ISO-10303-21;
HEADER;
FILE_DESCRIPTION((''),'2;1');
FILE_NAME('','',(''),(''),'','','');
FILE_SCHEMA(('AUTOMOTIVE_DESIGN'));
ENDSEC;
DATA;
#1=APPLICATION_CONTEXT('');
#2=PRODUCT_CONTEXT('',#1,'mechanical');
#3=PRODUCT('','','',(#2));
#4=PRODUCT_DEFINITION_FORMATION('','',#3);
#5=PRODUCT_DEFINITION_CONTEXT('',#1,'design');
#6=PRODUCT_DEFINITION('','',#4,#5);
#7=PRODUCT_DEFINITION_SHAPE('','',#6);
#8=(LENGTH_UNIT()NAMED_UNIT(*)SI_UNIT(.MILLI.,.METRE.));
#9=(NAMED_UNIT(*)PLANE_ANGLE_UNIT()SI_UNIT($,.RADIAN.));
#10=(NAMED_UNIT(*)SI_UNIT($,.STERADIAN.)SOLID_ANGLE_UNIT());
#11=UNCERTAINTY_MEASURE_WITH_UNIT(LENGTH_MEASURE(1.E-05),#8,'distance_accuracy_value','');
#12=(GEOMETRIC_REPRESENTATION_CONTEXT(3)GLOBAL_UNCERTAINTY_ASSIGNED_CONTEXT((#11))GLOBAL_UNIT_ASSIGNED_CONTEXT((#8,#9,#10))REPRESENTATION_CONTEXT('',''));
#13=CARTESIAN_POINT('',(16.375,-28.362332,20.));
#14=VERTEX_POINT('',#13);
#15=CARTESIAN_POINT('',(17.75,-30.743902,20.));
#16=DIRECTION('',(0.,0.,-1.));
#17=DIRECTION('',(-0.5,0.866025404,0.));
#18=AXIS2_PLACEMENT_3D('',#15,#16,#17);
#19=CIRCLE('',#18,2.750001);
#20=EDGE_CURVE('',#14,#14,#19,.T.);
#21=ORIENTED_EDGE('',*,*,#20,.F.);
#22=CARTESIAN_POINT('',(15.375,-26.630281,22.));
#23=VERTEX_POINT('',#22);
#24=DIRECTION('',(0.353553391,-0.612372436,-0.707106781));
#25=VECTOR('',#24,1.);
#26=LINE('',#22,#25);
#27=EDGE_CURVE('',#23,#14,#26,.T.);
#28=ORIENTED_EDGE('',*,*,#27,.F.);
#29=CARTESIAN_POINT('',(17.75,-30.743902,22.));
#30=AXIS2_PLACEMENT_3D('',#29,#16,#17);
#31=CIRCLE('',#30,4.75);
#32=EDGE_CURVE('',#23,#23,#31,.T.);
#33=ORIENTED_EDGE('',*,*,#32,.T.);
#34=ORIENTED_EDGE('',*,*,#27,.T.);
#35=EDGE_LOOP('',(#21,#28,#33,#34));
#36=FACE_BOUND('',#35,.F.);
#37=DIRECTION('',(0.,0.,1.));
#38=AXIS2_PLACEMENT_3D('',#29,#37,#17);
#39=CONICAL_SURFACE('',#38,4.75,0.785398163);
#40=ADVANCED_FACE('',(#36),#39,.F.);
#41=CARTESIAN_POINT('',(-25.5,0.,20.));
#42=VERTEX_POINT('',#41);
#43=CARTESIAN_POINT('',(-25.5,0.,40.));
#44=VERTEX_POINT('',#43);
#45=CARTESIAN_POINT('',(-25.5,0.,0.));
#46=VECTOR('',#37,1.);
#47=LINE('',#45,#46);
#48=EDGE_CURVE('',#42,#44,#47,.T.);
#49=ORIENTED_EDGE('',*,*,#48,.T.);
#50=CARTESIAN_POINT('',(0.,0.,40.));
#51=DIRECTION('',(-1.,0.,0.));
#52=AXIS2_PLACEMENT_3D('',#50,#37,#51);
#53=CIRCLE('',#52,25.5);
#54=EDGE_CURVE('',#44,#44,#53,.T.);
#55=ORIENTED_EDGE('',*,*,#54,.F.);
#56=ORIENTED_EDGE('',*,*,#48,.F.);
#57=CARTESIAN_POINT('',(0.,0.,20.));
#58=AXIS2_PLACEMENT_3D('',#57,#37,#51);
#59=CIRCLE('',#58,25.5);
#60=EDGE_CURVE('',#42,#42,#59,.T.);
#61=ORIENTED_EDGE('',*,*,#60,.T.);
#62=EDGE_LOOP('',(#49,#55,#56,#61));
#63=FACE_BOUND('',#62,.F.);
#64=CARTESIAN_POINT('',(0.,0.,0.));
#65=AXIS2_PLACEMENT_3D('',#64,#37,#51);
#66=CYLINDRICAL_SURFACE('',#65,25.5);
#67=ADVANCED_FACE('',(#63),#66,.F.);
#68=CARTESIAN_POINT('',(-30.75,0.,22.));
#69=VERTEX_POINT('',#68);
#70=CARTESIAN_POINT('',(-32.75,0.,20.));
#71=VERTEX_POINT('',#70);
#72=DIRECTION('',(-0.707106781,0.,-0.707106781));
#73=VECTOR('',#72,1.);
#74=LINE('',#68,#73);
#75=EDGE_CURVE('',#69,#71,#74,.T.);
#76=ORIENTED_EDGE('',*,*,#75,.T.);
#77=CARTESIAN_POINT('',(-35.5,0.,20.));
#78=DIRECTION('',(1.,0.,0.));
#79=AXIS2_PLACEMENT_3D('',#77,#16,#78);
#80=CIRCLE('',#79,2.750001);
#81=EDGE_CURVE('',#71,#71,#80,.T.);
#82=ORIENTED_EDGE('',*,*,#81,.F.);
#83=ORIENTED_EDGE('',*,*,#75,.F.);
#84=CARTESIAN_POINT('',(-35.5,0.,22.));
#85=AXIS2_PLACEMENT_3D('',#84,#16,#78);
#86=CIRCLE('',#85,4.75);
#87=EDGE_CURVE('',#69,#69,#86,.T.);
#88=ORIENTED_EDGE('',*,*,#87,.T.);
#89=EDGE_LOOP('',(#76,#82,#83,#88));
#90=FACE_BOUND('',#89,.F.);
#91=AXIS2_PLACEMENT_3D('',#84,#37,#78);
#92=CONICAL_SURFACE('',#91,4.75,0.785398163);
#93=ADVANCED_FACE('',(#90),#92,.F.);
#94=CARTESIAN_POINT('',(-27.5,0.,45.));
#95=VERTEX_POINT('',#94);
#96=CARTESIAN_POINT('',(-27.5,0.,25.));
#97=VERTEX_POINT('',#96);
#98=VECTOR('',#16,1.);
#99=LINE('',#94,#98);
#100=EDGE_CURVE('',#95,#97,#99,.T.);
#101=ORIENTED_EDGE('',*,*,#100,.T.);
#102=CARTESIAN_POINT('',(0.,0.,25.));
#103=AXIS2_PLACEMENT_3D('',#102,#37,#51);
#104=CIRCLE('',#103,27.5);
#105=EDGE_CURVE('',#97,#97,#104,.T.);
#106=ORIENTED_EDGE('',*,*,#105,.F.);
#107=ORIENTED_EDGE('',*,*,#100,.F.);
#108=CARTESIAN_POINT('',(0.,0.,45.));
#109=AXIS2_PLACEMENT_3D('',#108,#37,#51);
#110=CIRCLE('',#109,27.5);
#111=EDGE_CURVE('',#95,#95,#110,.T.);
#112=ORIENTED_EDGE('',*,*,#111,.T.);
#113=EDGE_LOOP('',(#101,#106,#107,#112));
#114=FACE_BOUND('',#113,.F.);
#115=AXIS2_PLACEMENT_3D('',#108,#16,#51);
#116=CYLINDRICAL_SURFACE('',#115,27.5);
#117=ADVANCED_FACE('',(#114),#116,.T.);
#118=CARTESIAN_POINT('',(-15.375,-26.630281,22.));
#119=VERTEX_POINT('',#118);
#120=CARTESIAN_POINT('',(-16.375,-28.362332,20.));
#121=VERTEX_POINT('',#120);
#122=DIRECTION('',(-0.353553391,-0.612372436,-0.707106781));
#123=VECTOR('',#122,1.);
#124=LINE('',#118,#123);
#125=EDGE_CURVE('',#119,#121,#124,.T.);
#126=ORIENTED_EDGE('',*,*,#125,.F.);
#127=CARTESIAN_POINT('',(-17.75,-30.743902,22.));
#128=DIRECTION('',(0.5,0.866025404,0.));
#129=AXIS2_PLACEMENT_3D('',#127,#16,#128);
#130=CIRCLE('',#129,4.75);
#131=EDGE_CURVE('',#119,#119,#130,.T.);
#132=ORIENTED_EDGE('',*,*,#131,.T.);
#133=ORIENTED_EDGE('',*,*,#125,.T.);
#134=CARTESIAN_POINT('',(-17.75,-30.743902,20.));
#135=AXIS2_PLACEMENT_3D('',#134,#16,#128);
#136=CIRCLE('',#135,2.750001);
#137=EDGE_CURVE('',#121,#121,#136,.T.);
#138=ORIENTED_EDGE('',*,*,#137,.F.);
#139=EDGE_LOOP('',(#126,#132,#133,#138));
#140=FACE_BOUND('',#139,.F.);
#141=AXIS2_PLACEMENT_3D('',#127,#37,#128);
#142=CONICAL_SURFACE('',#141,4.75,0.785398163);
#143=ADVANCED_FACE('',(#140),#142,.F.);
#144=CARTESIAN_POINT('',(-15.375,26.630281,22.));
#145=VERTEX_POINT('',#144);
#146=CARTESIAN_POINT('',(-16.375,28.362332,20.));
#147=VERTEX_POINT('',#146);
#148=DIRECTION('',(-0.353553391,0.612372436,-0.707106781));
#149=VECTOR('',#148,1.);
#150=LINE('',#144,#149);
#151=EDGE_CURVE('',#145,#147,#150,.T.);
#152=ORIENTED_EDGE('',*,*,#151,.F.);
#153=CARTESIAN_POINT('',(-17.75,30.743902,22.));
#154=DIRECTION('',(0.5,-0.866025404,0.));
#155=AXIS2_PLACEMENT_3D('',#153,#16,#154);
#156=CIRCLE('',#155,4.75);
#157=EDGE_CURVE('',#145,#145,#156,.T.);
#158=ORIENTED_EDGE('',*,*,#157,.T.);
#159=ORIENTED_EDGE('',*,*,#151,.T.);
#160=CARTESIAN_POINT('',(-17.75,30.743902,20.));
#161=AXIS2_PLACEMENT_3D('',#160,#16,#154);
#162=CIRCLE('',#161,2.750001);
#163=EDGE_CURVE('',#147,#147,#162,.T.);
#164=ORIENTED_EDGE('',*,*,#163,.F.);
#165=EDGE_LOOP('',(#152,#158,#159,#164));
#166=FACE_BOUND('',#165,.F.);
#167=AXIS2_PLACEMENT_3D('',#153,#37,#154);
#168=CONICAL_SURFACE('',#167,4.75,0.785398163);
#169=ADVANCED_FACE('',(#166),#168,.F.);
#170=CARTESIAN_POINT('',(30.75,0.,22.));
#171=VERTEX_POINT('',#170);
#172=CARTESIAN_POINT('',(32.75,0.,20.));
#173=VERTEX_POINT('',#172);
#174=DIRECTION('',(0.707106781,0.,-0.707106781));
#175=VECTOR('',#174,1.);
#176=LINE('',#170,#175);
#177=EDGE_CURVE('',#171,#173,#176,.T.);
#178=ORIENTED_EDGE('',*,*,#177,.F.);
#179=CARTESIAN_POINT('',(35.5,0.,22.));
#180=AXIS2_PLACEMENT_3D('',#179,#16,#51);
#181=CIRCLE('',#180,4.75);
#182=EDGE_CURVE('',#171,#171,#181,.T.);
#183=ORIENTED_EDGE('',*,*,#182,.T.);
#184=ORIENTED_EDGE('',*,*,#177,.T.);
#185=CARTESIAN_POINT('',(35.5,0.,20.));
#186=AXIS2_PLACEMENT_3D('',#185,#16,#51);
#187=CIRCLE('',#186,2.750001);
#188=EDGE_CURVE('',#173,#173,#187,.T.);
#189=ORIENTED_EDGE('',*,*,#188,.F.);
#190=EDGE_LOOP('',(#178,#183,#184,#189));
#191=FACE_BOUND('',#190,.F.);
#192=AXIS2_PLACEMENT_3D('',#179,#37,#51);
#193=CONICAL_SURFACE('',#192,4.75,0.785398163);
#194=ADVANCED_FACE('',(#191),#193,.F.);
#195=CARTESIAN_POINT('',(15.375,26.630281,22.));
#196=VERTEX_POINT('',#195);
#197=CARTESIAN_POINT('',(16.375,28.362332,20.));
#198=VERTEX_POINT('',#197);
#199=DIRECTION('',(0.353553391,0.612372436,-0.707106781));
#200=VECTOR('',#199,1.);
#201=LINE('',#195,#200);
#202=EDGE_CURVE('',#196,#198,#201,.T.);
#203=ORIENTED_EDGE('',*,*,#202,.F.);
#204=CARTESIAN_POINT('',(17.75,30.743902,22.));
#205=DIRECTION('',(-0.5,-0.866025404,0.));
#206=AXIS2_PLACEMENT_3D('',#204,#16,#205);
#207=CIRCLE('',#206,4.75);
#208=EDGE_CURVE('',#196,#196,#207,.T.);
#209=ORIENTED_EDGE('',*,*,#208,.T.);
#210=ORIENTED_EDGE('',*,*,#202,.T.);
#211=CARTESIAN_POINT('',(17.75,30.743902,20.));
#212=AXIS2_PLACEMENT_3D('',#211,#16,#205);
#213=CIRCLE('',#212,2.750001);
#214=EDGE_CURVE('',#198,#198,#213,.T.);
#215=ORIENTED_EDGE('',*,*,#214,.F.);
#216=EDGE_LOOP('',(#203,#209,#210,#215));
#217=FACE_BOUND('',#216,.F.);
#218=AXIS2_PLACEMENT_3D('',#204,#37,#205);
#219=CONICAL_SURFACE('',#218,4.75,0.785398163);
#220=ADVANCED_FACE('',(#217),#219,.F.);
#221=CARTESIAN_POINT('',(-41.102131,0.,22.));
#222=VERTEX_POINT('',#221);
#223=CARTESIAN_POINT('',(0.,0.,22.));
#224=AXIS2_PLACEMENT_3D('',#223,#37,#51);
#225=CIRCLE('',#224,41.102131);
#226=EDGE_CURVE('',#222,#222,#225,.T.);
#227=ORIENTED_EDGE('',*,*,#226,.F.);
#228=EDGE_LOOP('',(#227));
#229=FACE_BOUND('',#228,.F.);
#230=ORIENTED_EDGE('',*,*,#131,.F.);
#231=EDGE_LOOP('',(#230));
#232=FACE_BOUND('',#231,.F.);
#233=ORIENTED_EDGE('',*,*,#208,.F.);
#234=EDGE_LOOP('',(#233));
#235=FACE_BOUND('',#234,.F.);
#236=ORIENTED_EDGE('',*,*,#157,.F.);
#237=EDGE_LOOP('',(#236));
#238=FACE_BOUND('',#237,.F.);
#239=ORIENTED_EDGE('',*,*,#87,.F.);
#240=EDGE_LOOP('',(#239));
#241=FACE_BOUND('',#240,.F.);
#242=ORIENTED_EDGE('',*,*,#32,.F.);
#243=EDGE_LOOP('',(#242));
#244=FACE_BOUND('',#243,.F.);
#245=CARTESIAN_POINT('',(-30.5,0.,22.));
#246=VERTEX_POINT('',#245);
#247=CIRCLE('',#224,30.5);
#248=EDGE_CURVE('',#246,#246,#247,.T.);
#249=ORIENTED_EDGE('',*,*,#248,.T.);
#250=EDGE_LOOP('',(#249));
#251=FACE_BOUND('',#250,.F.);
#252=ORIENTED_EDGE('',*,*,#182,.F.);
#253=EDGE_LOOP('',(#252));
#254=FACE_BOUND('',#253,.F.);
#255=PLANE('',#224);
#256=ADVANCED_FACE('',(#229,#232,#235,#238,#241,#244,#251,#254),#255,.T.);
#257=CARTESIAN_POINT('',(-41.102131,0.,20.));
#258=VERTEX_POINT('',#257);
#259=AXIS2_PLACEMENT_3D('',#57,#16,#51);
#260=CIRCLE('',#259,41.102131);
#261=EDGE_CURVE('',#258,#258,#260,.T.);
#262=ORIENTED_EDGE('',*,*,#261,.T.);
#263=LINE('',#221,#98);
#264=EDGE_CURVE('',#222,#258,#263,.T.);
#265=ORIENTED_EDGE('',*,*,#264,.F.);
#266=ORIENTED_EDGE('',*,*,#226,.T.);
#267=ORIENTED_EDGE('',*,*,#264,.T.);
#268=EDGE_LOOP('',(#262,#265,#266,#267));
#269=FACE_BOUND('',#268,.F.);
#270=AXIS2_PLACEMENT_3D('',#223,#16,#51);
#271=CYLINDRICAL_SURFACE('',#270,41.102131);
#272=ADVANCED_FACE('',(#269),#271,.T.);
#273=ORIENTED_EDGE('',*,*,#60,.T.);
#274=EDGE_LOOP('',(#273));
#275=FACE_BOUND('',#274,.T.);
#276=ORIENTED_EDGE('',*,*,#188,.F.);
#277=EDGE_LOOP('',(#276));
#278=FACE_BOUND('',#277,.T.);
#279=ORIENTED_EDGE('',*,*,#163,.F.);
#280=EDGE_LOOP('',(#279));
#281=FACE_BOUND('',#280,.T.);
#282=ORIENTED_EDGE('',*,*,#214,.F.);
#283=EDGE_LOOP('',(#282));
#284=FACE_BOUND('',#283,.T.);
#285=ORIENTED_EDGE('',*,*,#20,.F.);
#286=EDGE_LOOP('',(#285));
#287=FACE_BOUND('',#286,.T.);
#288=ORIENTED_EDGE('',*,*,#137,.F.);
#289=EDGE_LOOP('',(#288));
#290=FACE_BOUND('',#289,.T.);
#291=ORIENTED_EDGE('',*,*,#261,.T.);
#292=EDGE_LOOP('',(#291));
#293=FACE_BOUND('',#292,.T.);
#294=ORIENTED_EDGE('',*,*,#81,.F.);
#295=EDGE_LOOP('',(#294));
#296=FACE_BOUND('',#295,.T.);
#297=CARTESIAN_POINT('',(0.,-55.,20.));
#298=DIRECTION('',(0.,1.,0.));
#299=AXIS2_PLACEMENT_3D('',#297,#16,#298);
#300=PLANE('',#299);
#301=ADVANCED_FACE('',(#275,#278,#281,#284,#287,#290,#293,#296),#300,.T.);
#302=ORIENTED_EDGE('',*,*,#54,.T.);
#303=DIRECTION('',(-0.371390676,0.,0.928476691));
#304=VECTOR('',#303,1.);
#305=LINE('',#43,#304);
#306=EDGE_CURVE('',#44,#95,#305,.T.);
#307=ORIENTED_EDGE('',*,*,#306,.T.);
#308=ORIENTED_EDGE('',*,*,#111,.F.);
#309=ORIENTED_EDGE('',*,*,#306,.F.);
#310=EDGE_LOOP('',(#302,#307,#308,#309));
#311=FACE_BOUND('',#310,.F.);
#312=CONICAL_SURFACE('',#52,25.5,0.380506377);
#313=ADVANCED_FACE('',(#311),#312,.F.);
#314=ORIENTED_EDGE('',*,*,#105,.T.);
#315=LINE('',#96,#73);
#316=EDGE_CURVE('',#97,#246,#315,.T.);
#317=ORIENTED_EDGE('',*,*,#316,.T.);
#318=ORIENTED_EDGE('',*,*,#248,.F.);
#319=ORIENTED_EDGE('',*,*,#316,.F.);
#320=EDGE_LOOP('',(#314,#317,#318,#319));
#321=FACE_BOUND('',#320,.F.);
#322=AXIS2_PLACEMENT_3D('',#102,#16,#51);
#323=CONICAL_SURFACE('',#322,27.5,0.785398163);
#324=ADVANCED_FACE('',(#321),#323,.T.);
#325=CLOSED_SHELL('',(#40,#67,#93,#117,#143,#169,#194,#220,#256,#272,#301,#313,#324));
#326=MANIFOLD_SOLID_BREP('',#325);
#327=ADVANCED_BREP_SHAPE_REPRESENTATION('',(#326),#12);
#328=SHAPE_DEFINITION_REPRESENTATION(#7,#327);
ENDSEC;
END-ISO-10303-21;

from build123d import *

# Parameters (mm, degrees)
HOLE_D             = 4.5
HOLE_DEPTH         = 25
HOLE_CSINK_D       = 9.5
HOLE_CSINK_ANGLE   = 90
POLARPATTERN_COUNT = 6
SKETCH002_W        = 110
SKETCH002_H        = 70.917771
POCKET_DEPTH       = 41.103131
POCKET_DEPTH_BACK  = -41.103131


with BuildPart() as part:
    # Sketch → Revolution (revolve)
    with BuildSketch(Plane.XZ):
        Polygon((-27.5, 18), (-27.5, 0), (-25.5, 0), (-25.5, 40), (-27.5, 45), (-27.5, 25), (-30.5, 22), (-41.102131, 22), (-41.102131, 18), align=None)
    revolve(axis=Axis((0, 0, 0), (0, 0, 1)))

    # Hole
    with Locations(Plane(origin=(0, 0, 22), x_dir=(-1, 0, 0), z_dir=(0, 0, 1))):
        with Locations((35.5, 0)):
            hole = CounterSinkHole(HOLE_D / 2, HOLE_CSINK_D / 2, depth=HOLE_DEPTH, counter_sink_angle=HOLE_CSINK_ANGLE)

    # PolarPattern: Hole ×6 about axis
    polarpattern_axis = Axis((0, 0, 22), (0, 0, 1))
    for i in range(1, POLARPATTERN_COUNT):
        add(hole.rotate(polarpattern_axis, i * 360 / POLARPATTERN_COUNT), mode=Mode.SUBTRACT)

    # Sketch002 → Pocket (cut, two sides)
    with BuildSketch(Plane.YZ) as pocket_sk:
        with Locations((0, -15.458885)):
            Rectangle(SKETCH002_W, SKETCH002_H)
    extrude(amount=-POCKET_DEPTH, mode=Mode.SUBTRACT)
    extrude(pocket_sk.sketch, amount=-POCKET_DEPTH_BACK, mode=Mode.SUBTRACT)


solid = part.part
